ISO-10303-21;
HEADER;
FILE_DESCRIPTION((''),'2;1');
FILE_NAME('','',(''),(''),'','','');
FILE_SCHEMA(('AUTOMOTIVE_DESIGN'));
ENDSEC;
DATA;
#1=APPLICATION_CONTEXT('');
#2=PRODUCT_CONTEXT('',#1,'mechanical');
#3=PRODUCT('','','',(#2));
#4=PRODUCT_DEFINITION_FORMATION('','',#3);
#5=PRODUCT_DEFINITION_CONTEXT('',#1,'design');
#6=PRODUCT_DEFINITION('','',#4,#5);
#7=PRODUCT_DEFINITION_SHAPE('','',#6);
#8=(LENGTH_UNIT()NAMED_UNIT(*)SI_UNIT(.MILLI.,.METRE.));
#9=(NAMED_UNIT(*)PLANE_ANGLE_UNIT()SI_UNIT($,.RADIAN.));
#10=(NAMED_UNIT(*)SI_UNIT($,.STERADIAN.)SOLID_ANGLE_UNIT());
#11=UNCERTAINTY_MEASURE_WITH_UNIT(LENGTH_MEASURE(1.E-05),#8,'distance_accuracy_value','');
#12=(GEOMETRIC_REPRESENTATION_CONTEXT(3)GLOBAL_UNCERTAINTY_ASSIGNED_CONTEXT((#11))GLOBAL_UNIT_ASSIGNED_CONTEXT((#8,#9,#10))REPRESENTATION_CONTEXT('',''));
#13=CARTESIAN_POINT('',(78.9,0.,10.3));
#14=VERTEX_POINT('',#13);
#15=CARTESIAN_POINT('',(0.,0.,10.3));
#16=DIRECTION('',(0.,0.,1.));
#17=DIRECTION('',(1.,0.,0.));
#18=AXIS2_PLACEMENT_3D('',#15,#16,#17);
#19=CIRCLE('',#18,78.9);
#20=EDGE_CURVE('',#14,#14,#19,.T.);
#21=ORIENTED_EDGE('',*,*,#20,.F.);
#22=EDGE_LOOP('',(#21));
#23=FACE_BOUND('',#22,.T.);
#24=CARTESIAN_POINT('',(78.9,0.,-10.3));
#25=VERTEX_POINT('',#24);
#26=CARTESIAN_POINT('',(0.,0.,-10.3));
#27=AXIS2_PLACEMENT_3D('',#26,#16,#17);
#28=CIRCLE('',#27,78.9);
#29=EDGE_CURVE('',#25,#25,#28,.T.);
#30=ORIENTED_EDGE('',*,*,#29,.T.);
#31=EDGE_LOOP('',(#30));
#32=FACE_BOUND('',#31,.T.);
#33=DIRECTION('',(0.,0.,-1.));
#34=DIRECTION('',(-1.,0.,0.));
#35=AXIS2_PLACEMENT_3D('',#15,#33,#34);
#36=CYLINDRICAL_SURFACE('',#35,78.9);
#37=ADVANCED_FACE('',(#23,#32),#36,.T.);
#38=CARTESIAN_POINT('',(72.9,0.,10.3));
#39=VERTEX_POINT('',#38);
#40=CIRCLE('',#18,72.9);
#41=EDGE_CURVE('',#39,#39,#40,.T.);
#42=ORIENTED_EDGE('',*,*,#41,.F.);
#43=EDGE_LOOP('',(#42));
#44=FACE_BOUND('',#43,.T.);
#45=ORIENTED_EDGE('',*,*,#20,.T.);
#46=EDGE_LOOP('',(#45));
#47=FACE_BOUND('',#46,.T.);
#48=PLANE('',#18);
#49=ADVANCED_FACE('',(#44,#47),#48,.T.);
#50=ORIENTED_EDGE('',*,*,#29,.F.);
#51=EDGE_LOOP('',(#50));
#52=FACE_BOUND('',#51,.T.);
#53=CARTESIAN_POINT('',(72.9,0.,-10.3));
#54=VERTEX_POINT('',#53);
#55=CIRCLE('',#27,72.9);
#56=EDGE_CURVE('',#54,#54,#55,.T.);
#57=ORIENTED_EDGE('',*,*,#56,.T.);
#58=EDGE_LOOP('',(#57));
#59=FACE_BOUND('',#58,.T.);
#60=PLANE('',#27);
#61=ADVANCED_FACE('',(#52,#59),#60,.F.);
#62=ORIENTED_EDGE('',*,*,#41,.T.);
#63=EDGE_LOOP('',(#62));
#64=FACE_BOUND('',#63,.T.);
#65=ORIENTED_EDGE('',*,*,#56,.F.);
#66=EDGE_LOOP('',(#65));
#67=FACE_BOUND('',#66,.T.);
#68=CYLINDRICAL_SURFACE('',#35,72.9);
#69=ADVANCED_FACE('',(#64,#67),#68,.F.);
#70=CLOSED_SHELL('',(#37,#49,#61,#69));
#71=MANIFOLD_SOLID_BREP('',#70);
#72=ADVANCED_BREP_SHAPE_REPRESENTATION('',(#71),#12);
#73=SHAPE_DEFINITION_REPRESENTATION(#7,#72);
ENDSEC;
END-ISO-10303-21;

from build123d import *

# Parameters (mm, degrees)
SKETCH1_R           = 78.9
SKETCH1_R_2         = 72.9
BOSS_EXTRUDE1_DEPTH = 10.3


with BuildPart() as part:
    # Sketch1 → Boss-Extrude1 (new, symmetric)
    with BuildSketch(Plane.XY):
        Circle(SKETCH1_R)
        Circle(SKETCH1_R_2, mode=Mode.SUBTRACT)
    extrude(amount=BOSS_EXTRUDE1_DEPTH, both=True)


solid = part.part
